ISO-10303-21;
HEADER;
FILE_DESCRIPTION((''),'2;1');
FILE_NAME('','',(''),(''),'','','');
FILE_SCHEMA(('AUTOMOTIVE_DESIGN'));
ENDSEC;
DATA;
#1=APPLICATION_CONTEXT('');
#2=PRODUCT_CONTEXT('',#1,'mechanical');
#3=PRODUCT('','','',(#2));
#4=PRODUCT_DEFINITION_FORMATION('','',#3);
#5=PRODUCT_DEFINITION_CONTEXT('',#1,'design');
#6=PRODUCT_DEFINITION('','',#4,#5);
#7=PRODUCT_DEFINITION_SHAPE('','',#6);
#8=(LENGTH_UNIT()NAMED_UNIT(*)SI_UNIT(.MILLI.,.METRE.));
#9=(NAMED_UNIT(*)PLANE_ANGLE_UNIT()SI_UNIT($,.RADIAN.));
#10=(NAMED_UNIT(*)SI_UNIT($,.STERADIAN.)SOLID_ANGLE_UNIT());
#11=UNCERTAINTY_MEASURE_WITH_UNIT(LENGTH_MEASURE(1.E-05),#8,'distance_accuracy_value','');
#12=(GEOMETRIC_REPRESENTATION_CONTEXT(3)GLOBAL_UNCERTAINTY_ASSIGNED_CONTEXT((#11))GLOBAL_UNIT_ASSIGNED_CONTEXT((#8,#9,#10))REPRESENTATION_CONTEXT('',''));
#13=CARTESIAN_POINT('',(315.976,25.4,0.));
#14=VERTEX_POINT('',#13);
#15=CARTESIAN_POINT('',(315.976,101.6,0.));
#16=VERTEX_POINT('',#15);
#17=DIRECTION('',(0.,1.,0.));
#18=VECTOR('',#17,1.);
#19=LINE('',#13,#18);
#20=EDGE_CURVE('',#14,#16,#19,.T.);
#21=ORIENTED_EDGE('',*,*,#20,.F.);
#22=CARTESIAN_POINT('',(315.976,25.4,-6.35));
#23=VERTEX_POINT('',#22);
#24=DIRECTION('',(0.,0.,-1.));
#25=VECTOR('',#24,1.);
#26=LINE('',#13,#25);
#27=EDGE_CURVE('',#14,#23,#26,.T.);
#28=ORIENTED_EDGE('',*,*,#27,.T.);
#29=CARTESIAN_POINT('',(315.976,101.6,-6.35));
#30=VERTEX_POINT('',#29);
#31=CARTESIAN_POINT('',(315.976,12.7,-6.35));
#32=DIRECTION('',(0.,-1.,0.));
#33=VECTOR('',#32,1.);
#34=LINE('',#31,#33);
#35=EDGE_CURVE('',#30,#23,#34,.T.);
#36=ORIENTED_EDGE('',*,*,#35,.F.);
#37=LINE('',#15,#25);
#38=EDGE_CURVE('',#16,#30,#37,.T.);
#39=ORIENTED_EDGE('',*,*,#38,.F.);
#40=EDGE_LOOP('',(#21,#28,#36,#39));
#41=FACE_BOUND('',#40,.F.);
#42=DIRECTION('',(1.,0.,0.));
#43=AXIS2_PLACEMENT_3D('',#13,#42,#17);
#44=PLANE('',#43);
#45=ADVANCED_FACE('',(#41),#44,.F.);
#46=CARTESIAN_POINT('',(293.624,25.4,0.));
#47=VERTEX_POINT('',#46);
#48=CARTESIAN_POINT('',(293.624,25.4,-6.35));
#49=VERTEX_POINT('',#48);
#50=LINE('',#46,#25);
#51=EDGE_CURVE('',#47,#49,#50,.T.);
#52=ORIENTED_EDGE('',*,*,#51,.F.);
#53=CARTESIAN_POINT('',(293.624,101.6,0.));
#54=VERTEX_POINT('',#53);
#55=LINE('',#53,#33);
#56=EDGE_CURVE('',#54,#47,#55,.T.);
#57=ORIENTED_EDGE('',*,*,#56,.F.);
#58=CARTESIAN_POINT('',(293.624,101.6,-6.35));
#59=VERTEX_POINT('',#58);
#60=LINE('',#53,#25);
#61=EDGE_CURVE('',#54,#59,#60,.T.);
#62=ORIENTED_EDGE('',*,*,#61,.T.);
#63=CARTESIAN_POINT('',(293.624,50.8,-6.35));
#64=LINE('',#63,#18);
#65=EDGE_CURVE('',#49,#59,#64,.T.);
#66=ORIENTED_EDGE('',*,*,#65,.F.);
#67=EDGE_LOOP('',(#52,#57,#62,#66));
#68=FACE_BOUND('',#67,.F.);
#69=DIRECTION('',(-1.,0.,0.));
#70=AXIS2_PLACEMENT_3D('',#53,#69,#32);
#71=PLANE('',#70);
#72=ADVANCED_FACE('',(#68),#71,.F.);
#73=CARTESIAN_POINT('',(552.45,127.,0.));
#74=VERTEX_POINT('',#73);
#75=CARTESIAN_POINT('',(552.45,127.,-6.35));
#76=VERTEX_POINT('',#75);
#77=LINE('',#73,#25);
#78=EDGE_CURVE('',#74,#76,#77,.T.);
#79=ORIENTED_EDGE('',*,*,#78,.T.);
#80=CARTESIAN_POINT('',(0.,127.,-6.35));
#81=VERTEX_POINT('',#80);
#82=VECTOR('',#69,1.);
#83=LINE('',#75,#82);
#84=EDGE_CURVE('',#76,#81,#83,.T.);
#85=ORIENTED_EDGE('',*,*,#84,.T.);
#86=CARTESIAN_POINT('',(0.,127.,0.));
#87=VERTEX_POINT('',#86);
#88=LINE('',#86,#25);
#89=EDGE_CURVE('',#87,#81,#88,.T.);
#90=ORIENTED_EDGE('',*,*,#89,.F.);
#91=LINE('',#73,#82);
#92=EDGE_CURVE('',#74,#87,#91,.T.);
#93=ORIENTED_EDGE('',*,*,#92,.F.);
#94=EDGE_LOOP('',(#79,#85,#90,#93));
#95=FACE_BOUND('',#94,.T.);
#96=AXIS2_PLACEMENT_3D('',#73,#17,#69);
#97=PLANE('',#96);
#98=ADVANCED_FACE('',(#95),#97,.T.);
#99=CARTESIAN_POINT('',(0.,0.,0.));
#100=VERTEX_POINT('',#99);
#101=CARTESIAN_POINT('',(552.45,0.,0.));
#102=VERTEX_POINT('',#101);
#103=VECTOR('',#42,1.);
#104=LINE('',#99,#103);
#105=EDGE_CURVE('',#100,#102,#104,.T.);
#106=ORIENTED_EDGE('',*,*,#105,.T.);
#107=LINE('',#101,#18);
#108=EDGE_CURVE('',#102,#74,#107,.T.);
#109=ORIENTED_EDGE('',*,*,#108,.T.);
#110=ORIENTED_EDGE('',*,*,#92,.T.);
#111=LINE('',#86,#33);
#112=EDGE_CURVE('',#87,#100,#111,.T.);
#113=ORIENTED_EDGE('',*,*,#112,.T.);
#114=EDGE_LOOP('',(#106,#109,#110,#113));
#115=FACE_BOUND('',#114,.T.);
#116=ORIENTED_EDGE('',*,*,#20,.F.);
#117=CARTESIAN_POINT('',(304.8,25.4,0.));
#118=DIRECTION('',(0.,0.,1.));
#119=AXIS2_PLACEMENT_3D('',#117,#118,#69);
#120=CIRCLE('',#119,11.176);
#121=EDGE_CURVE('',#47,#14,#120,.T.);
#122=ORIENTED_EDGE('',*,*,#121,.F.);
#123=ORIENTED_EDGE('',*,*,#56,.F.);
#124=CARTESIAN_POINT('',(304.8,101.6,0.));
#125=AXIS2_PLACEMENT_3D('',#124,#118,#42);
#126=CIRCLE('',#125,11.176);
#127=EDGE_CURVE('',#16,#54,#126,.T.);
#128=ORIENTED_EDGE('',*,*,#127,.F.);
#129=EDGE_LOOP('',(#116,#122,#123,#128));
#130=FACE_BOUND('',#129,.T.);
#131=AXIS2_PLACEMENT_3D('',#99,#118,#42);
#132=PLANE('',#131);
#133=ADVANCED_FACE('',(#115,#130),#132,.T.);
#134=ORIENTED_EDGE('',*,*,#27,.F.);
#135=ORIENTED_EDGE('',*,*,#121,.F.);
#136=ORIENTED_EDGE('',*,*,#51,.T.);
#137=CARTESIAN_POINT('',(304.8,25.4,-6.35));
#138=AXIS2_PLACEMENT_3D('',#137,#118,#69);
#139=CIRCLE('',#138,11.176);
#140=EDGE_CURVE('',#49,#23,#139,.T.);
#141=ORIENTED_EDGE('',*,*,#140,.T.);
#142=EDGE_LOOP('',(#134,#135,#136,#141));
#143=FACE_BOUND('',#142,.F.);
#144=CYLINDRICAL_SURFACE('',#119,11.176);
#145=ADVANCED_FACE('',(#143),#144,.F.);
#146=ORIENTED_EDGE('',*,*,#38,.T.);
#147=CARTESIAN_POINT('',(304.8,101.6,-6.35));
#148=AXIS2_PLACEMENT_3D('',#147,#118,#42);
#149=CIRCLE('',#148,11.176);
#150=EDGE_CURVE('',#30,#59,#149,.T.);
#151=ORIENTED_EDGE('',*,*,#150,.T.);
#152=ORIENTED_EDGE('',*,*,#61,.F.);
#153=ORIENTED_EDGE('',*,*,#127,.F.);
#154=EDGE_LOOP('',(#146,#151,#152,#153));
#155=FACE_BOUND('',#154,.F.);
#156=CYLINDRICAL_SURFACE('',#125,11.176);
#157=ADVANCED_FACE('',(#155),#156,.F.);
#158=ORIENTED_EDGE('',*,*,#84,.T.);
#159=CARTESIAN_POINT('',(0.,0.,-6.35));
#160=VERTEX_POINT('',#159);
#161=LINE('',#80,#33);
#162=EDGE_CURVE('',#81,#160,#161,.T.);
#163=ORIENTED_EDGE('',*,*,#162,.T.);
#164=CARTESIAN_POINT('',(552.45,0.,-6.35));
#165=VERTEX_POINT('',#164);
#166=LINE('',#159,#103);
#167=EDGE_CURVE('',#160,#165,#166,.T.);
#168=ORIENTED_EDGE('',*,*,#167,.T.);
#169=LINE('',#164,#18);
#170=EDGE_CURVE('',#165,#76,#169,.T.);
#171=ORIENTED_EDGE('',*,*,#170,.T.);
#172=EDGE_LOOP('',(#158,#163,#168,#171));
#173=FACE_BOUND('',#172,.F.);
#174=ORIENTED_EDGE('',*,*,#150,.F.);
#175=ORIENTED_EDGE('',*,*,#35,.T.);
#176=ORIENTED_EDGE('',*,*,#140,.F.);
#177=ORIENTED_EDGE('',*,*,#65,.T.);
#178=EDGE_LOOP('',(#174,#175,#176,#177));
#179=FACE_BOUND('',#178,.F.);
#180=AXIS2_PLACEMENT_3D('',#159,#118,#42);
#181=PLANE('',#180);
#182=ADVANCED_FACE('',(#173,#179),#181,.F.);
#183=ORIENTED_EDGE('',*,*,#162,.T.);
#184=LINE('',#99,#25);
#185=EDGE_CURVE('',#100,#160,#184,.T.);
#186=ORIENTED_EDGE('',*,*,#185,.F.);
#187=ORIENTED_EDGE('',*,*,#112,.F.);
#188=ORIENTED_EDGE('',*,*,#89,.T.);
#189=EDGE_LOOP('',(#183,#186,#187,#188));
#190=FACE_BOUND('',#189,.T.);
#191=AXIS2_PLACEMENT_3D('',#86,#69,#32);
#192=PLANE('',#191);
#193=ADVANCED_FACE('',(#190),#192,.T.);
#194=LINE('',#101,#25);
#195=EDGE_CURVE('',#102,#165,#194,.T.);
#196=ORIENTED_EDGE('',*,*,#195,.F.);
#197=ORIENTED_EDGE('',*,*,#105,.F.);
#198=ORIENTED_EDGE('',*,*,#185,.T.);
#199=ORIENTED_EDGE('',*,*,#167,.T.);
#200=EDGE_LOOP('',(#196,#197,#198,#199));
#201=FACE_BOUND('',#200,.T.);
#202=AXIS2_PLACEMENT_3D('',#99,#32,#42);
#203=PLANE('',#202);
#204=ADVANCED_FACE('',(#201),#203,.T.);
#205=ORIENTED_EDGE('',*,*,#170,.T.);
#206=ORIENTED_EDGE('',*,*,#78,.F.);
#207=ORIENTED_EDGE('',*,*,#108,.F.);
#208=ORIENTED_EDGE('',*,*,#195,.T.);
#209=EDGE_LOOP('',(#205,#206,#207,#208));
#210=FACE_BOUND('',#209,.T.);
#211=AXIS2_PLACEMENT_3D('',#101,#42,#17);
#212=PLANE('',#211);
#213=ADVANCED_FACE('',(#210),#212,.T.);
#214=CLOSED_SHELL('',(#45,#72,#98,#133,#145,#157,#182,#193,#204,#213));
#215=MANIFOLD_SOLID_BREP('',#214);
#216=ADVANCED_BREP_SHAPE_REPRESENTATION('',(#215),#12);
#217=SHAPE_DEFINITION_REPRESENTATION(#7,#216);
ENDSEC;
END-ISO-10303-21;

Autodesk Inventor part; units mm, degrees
ref_plane "YZ Plane" through (0, 0, 0) normal (1, 0, 0) x (0, 1, 0)
ref_plane "XZ Plane" through (0, 0, 0) normal (0, 1, 0) x (-1, 0, 0)
ref_plane "XY Plane" through (0, 0, 0) normal (0, 0, 1) x (1, 0, 0)
sketch "Sketch1" plane through (0, 0, 0) normal (0, 0, 1) x (1, 0, 0)
  line L0 (0, 0) -> (552.45, 0)
  line L1 (552.45, 0) -> (552.45, 127)
  line L2 (552.45, 127) -> (0, 127)
  line L3 (0, 127) -> (0, 0)
  dimension "d0" = 552.45
  dimension "d1" = 127
extrude "Extrusion1" add sketch "Sketch1" against normal blind 6.35
sketch "Sketch2" plane through (0, 0, 0) normal (0, 0, 1) x (1, 0, 0)
  line L0 (552.45, 0) -> (552.45, 127) projected
  line L1 (552.45, 127) -> (0, 127) projected
  line L2 (0, 127) -> (0, 0) projected
  line L3 (315.976, 25.4) -> (315.976, 101.6)
  arc A0 (315.976, 101.6) -> (293.624, 101.6) centre (304.8, 101.6) ccw
  line L4 (293.624, 101.6) -> (293.624, 25.4)
  arc A1 (293.624, 25.4) -> (315.976, 25.4) centre (304.8, 25.4) ccw
  point P0 (276.225, 127)
  dimension "d4" = 76.2
  dimension "d6" = 11.176
  dimension "d7" = 247.65
  dimension "d8" = 25.4
extrude "Extrusion2" cut sketch "Sketch2" against normal up to next
properties part number "GE_13030" material "Polyethylene, High Density"
